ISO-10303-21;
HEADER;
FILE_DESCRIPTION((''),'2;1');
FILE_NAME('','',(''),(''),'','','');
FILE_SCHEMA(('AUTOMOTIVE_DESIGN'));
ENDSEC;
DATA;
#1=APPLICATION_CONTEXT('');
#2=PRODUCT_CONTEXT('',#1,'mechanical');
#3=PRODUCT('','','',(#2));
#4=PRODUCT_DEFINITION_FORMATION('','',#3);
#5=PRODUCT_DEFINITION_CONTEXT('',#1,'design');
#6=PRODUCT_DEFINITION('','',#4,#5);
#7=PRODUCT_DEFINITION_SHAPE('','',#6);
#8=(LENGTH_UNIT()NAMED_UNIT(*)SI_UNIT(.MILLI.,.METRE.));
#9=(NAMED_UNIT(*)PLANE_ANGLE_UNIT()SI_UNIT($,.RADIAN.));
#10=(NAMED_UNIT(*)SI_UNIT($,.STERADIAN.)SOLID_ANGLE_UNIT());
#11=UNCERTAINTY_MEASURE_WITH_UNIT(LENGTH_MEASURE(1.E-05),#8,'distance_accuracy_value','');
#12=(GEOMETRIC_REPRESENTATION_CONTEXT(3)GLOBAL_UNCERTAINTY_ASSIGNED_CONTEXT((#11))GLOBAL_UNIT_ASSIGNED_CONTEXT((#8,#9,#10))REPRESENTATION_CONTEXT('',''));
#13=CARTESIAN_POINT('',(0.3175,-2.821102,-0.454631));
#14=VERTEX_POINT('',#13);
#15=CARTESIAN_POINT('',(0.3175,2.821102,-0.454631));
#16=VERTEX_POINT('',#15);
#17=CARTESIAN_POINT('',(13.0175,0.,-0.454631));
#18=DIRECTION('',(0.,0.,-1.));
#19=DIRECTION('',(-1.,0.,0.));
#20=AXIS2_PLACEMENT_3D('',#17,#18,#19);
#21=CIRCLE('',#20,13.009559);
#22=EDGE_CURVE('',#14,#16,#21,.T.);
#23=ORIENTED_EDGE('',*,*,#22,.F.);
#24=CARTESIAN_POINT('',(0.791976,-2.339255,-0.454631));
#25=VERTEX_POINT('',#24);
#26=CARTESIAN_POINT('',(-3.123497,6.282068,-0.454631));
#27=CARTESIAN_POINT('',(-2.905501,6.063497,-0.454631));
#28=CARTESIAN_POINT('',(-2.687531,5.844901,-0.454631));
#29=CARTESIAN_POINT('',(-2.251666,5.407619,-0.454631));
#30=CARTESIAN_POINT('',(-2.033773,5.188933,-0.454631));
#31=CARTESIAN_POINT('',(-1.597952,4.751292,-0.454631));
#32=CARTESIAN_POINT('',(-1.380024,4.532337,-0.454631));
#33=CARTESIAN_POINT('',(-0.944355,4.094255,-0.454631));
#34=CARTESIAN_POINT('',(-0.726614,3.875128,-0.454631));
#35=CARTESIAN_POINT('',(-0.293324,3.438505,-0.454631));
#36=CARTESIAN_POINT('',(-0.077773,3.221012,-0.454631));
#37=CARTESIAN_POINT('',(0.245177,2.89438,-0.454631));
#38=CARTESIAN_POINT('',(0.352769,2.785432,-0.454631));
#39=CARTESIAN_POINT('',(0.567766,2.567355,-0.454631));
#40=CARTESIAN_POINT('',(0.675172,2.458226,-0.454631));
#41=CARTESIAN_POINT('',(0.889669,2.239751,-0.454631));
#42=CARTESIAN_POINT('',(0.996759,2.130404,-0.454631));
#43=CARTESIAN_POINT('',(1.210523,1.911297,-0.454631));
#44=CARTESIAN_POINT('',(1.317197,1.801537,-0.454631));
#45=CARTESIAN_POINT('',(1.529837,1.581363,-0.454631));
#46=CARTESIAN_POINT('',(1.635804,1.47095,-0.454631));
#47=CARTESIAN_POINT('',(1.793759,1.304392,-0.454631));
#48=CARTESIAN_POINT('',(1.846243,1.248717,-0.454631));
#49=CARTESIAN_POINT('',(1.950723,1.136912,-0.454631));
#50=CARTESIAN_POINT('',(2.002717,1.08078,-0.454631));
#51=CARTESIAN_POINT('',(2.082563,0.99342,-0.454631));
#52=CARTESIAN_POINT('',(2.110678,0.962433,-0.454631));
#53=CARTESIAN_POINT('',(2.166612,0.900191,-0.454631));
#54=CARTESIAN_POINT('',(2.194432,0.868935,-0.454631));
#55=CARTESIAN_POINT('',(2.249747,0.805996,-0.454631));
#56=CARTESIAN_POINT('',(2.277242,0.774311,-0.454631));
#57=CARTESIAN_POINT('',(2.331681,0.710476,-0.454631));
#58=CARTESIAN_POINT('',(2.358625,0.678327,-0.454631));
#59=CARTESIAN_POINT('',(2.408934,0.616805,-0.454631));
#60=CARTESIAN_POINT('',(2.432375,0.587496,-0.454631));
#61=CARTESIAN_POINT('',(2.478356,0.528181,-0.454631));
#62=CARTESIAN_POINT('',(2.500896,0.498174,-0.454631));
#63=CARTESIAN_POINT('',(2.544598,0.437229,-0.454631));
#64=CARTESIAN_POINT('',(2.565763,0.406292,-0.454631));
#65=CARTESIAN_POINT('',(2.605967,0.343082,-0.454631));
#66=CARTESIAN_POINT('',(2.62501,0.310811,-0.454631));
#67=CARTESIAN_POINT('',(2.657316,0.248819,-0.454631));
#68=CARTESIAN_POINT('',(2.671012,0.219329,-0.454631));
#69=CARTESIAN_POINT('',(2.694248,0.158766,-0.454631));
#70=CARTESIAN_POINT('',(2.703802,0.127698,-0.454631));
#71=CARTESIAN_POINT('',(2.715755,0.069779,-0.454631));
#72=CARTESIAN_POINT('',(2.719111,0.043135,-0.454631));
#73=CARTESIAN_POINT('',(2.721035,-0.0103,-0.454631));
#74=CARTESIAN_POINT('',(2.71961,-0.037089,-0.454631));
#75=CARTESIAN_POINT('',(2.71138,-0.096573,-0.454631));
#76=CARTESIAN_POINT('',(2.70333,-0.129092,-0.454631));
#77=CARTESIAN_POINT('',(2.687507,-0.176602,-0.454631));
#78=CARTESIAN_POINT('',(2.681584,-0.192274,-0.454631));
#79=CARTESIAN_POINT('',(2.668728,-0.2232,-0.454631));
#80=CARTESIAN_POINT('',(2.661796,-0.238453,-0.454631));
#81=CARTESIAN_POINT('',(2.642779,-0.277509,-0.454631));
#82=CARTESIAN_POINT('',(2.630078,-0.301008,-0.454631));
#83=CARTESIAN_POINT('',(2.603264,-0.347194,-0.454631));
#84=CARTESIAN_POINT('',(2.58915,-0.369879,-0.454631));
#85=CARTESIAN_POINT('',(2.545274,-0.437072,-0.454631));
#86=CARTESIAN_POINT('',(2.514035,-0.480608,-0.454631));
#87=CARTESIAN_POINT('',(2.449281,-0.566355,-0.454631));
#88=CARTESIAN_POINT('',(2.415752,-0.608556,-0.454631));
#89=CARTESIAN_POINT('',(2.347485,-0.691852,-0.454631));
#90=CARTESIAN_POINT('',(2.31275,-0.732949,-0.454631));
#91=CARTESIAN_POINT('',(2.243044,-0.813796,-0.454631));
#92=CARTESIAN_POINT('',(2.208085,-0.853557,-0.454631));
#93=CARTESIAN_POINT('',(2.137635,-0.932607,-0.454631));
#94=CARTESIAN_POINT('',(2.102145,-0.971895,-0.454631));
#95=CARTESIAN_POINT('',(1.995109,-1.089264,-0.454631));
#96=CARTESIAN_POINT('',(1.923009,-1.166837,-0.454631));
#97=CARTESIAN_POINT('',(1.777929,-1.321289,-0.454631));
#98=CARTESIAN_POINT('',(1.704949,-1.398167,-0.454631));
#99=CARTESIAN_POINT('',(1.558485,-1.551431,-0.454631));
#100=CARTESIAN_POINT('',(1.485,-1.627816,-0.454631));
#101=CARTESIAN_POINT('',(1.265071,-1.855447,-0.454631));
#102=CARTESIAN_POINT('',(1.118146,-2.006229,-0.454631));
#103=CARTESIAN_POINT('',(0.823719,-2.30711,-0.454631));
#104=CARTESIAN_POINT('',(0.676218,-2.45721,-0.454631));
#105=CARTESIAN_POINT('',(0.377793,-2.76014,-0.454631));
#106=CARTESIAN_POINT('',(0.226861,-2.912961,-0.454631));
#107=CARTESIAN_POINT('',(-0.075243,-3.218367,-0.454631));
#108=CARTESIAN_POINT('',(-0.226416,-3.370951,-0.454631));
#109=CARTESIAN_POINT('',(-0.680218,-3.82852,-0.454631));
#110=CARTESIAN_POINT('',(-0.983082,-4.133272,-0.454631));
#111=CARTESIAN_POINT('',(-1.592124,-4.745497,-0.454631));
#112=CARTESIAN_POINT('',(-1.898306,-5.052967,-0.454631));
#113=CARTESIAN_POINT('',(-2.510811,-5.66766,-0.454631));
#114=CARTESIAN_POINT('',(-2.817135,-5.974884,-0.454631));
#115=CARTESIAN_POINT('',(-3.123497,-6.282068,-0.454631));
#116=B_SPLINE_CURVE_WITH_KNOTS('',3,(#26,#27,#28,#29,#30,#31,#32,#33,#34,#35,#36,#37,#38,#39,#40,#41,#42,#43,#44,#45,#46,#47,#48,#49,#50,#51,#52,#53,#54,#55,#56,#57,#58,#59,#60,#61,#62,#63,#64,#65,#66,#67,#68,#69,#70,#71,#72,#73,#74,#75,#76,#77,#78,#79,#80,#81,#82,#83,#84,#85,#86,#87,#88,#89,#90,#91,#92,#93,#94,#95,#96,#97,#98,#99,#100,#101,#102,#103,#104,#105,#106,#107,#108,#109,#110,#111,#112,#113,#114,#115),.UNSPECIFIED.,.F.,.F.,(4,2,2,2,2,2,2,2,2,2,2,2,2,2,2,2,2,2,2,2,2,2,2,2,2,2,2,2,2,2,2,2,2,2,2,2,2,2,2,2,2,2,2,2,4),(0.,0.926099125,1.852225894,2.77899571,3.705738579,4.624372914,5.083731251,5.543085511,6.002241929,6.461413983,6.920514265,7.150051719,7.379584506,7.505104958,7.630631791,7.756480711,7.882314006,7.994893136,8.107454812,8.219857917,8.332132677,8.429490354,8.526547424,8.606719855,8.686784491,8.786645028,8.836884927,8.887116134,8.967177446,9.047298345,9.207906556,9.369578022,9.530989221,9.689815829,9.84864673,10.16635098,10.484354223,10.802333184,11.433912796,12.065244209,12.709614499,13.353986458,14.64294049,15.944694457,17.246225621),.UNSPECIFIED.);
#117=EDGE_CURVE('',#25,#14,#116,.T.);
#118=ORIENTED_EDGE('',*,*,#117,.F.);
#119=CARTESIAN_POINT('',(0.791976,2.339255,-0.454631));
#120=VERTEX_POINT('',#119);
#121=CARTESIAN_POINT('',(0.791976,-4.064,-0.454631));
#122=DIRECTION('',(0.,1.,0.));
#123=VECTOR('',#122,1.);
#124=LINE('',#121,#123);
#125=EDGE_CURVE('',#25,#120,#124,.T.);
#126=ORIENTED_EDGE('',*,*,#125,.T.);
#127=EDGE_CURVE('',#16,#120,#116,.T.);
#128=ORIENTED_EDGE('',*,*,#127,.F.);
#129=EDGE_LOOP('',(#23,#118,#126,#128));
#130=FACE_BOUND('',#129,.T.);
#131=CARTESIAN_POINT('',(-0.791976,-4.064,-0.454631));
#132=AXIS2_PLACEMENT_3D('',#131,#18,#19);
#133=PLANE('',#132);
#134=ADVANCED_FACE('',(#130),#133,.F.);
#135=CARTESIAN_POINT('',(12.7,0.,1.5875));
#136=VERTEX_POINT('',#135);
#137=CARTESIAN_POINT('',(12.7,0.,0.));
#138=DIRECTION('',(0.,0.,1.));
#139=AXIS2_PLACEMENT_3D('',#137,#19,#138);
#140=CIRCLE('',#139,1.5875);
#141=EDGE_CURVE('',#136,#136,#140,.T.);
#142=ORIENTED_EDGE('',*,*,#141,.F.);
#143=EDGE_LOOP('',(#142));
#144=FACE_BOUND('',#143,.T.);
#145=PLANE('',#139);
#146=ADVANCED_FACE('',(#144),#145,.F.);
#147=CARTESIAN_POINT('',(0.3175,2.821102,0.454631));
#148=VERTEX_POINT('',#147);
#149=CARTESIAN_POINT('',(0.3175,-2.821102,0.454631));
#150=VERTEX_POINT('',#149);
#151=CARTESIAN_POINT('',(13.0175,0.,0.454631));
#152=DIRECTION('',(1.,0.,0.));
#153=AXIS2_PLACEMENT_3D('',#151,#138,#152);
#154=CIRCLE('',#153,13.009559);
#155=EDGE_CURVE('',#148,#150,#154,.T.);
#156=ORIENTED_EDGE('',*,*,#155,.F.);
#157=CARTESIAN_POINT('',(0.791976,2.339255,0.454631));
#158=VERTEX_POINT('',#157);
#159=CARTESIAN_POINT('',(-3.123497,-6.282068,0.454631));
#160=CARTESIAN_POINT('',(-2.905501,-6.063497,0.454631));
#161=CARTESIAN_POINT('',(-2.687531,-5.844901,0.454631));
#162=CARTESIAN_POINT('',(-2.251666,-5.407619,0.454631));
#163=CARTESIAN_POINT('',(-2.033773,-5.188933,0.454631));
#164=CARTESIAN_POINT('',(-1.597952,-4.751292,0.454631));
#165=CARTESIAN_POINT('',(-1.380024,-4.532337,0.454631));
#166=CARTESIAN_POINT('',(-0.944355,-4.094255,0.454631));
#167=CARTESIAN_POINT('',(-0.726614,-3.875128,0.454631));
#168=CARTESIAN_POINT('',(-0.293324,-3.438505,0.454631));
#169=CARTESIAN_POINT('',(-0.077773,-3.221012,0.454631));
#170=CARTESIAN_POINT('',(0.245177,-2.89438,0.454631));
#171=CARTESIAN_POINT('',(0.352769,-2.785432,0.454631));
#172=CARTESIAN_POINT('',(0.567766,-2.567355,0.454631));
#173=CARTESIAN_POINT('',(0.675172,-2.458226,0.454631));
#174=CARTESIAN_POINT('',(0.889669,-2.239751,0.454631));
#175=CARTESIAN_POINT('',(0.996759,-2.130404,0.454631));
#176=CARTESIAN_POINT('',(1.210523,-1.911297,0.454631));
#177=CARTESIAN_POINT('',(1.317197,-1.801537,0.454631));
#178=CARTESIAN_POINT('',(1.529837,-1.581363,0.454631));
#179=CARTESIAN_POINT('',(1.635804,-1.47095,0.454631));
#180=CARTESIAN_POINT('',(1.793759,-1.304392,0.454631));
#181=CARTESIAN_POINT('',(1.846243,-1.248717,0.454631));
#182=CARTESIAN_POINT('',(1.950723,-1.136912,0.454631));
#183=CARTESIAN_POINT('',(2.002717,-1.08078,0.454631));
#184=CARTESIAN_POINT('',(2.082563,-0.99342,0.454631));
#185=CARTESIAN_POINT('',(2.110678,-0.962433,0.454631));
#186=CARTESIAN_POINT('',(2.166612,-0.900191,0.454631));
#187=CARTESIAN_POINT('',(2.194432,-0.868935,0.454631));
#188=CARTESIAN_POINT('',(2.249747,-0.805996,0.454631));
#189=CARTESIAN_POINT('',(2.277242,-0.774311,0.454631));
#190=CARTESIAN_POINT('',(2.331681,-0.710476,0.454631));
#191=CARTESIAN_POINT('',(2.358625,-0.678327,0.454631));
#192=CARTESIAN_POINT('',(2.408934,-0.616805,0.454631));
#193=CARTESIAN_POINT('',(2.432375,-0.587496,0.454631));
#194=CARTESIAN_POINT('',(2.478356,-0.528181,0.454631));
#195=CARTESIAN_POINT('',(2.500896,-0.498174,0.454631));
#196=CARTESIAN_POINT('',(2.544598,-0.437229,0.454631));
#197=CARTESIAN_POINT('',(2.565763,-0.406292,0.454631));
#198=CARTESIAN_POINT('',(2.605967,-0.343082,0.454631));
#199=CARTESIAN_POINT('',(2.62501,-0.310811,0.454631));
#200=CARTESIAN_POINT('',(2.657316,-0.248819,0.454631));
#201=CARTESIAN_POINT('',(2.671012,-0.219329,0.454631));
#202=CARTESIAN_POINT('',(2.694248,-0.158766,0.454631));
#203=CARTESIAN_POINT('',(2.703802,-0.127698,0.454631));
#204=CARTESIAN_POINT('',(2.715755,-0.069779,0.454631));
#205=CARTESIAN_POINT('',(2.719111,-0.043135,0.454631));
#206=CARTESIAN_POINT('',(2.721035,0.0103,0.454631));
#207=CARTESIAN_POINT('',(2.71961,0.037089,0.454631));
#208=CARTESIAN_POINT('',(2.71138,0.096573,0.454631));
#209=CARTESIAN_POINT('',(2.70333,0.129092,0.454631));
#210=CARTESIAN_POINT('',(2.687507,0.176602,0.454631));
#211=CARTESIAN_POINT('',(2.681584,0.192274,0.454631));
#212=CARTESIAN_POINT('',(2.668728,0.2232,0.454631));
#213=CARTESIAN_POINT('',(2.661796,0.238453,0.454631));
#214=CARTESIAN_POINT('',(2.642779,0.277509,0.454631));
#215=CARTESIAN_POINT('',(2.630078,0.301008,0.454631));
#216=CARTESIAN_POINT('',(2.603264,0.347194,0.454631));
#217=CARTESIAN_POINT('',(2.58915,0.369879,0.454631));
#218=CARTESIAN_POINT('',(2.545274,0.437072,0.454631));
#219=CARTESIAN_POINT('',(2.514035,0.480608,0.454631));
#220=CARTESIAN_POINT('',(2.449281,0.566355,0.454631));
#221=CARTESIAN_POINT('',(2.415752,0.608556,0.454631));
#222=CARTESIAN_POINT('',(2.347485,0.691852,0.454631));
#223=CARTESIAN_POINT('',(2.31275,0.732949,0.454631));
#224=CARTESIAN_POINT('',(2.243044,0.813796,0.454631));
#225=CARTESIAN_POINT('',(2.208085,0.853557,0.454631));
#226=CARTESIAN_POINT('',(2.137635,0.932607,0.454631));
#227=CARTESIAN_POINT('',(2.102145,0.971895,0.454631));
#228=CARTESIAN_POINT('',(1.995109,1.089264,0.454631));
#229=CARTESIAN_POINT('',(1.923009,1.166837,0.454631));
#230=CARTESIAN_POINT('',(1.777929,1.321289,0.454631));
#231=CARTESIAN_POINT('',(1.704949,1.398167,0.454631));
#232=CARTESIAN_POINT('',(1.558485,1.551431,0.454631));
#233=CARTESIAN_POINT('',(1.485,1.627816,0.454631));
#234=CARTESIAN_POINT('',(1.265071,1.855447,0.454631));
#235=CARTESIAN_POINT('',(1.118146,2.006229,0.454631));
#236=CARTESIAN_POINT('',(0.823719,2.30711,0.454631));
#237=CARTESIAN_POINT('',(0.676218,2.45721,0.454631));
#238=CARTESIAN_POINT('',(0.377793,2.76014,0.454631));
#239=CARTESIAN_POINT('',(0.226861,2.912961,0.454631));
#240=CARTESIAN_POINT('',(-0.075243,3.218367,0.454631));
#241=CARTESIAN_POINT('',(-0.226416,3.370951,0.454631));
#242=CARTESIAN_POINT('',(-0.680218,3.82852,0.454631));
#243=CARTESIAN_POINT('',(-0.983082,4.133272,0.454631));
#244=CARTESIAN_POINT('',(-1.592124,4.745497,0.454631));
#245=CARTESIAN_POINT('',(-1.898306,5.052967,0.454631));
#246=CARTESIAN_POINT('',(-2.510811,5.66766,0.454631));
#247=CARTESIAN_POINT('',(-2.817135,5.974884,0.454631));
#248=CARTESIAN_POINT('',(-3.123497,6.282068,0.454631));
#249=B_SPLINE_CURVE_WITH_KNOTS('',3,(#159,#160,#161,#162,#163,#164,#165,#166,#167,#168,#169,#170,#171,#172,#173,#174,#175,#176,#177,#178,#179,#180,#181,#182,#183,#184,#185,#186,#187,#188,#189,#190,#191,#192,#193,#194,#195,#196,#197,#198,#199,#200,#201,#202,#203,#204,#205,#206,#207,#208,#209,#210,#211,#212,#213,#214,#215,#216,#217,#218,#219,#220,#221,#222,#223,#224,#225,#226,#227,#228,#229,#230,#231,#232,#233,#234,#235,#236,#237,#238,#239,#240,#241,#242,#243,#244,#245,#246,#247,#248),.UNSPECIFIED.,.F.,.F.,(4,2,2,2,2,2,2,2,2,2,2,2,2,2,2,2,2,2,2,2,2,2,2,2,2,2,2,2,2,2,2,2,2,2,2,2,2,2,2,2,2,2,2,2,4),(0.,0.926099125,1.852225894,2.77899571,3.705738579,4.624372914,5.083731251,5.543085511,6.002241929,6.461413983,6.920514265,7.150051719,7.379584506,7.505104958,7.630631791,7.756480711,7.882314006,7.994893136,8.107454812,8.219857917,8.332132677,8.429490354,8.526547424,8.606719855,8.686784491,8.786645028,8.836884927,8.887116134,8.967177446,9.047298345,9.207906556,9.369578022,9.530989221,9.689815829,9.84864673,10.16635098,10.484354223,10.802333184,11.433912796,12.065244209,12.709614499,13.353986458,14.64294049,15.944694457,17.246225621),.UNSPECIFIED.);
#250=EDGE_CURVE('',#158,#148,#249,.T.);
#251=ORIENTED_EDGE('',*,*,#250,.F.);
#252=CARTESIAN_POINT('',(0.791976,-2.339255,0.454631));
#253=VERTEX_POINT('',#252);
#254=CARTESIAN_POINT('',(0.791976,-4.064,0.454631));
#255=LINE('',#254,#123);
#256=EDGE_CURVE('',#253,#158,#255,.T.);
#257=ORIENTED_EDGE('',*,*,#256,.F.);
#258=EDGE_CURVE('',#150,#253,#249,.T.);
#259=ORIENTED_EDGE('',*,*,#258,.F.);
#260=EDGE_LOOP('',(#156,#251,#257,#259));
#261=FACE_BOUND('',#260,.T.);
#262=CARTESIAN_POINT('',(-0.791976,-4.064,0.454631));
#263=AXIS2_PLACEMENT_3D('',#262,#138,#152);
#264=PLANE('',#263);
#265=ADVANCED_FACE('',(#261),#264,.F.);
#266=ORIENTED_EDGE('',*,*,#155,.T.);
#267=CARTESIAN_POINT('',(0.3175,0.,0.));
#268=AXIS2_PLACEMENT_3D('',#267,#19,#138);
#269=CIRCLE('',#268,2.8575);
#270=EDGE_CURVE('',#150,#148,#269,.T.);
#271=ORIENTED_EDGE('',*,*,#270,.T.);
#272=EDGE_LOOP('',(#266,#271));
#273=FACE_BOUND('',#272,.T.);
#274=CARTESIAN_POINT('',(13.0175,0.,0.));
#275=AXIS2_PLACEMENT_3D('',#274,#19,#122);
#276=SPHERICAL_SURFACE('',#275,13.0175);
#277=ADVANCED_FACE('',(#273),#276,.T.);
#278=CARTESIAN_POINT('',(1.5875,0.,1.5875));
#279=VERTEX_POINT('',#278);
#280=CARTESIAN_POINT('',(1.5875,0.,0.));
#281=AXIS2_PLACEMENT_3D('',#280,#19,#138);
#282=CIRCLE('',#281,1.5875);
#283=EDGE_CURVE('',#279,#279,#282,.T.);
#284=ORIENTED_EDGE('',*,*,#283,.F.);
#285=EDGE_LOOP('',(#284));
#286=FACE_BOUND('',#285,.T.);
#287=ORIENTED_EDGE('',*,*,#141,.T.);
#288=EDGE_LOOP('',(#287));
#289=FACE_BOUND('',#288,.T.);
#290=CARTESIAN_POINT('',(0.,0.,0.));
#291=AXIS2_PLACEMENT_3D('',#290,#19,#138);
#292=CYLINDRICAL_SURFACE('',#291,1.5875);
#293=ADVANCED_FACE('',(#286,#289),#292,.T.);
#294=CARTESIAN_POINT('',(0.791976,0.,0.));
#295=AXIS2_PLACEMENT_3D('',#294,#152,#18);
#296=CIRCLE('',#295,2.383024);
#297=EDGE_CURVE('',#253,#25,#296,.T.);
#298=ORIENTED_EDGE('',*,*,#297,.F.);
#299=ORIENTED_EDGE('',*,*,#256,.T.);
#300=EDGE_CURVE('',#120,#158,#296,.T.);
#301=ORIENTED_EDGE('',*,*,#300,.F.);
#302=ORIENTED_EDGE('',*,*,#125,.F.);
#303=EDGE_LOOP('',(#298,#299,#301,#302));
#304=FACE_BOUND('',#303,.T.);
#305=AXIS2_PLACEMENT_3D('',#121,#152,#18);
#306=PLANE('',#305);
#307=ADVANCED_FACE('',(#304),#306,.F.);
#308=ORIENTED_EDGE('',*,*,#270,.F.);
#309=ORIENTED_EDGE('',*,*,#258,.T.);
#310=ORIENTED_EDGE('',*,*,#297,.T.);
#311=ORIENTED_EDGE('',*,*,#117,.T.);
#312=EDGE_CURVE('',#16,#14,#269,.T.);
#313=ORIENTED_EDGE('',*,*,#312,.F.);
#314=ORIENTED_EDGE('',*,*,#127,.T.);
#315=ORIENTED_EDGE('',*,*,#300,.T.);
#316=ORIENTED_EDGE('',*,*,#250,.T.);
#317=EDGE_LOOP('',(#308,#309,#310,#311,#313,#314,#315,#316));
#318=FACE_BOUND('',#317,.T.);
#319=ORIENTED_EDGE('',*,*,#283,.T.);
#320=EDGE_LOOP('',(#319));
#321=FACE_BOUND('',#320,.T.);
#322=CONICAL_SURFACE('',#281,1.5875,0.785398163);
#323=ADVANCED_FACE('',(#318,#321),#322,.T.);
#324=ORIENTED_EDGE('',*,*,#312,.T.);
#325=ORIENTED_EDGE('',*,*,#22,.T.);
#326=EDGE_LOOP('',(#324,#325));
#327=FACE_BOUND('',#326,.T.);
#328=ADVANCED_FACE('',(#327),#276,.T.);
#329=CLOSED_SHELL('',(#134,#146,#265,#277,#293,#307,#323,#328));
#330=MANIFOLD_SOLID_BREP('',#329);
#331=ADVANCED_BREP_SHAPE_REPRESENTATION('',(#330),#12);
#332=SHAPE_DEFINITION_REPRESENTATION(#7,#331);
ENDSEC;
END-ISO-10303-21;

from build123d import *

# Parameters (mm, degrees)
SKETCH2_W          = 1.583951874
SKETCH2_H          = 0.909262002
CUT_EXTRUDE1_DEPTH = 4.064


with BuildPart() as part:
    # Sketch1 → Revolve1 (revolve)
    with BuildSketch(Plane.XY, mode=Mode.PRIVATE) as revolve1_sk:
        with BuildLine():
            Line((0, 0), (12.7, 0))
            Line((12.7, 0), (12.7, 1.5875))
            Line((12.7, 1.5875), (1.5875, 1.5875))
            Line((1.5875, 1.5875), (0.3175, 2.8575))
            ThreePointArc((0.3175, 2.8575), (0.079618484, 1.437542391), (0, 0))
        make_face()
    revolve(revolve1_sk.sketch.rotate(Axis((0, 0, 0), (1, 0, 0)), 90), axis=Axis((0, 0, 0), (1, 0, 0)))

    # Sketch2 → Cut-Extrude1 (cut, symmetric)
    with BuildSketch(Plane(origin=(0, 0, 0), x_dir=(1, 0, 0), z_dir=(0, 1, 0))):
        Rectangle(SKETCH2_W, SKETCH2_H)
    extrude(amount=CUT_EXTRUDE1_DEPTH, both=True, mode=Mode.SUBTRACT)


solid = part.part
